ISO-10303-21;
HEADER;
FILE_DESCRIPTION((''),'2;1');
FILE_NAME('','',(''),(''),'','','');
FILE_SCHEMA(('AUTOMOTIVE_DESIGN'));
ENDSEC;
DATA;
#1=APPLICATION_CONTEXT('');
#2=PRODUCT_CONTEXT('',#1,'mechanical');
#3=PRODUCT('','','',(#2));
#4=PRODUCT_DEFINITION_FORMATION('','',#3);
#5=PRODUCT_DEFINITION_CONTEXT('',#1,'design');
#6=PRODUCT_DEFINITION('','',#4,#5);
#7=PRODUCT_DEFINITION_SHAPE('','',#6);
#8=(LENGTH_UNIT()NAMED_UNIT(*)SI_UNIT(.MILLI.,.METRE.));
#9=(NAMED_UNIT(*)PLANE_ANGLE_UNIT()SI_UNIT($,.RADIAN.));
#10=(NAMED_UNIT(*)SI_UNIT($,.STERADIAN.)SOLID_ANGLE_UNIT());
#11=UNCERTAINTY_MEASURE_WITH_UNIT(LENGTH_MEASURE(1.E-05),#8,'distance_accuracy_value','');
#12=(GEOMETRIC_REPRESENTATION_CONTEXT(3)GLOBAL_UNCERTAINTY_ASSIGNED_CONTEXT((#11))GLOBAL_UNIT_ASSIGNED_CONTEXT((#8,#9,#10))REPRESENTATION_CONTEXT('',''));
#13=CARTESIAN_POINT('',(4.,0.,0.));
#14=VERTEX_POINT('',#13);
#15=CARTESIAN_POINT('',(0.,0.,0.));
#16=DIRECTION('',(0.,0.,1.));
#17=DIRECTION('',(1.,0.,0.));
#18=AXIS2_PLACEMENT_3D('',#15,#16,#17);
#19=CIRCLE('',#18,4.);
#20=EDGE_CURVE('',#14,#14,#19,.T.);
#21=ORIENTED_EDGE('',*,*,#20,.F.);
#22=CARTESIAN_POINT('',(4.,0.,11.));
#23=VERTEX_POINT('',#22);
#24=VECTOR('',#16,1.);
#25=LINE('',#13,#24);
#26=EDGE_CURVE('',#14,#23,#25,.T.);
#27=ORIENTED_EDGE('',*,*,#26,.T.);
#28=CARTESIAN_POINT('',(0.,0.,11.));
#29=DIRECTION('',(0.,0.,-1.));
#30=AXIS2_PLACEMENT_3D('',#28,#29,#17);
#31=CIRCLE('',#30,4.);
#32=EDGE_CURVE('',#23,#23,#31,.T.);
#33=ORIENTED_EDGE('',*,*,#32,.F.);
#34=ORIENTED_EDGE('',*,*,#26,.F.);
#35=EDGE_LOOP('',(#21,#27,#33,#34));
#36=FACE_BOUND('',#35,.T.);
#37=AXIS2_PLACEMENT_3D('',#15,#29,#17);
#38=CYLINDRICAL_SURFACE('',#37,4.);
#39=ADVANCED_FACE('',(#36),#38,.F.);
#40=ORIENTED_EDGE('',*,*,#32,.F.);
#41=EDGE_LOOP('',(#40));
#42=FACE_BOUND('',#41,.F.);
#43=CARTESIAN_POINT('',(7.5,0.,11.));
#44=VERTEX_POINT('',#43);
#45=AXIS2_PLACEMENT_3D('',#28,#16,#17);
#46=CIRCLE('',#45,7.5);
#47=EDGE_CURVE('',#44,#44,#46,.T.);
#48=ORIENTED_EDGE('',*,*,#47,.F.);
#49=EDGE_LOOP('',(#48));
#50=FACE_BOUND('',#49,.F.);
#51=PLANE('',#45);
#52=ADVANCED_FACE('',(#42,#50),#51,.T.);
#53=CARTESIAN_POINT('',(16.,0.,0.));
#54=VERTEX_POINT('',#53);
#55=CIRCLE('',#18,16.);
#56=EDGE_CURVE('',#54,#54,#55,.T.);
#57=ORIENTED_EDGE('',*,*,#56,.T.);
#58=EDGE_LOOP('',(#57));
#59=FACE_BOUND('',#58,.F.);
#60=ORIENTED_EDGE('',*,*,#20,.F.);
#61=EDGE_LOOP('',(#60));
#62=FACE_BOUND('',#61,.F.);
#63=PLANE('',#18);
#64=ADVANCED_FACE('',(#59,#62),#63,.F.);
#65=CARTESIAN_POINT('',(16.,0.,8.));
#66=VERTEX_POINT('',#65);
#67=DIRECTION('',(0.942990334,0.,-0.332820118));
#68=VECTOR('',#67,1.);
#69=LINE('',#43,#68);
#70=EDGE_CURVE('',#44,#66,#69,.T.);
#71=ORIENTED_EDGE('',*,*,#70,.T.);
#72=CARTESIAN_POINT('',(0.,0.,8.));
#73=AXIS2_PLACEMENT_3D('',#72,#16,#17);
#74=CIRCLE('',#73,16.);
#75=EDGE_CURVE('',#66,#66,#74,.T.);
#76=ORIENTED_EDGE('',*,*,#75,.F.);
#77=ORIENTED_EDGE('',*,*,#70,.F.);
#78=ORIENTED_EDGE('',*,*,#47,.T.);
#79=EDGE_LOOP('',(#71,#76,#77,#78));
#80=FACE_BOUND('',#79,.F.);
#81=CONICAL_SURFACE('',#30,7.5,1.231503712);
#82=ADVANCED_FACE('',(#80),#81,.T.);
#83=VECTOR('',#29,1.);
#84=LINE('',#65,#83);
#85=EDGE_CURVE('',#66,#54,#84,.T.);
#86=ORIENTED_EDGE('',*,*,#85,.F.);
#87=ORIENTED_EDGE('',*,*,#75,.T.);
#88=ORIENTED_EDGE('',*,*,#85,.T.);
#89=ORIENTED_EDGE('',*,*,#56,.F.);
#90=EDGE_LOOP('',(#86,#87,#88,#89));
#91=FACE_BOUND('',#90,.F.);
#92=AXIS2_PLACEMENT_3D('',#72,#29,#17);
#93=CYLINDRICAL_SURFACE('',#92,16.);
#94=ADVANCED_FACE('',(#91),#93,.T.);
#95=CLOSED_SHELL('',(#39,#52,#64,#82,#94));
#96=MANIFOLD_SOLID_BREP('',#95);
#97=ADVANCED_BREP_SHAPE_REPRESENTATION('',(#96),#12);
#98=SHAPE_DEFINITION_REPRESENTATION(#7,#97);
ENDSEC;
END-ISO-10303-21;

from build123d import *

# Parameters (mm, degrees)
SKETCH001_R  = 4
POCKET_DEPTH = 11.001


with BuildPart() as part:
    # Sketch → Revolution (revolve)
    with BuildSketch(Plane.XZ):
        Polygon((0, 0), (0, 11), (7.5, 11), (16, 8), (16, 0), align=None)
    revolve(axis=Axis((0, 0, 0), (0, 0, 1)))

    # Sketch001 → Pocket (cut, through all)
    with BuildSketch(Plane.XY):
        Circle(SKETCH001_R)
    extrude(amount=POCKET_DEPTH, mode=Mode.SUBTRACT)


solid = part.part
